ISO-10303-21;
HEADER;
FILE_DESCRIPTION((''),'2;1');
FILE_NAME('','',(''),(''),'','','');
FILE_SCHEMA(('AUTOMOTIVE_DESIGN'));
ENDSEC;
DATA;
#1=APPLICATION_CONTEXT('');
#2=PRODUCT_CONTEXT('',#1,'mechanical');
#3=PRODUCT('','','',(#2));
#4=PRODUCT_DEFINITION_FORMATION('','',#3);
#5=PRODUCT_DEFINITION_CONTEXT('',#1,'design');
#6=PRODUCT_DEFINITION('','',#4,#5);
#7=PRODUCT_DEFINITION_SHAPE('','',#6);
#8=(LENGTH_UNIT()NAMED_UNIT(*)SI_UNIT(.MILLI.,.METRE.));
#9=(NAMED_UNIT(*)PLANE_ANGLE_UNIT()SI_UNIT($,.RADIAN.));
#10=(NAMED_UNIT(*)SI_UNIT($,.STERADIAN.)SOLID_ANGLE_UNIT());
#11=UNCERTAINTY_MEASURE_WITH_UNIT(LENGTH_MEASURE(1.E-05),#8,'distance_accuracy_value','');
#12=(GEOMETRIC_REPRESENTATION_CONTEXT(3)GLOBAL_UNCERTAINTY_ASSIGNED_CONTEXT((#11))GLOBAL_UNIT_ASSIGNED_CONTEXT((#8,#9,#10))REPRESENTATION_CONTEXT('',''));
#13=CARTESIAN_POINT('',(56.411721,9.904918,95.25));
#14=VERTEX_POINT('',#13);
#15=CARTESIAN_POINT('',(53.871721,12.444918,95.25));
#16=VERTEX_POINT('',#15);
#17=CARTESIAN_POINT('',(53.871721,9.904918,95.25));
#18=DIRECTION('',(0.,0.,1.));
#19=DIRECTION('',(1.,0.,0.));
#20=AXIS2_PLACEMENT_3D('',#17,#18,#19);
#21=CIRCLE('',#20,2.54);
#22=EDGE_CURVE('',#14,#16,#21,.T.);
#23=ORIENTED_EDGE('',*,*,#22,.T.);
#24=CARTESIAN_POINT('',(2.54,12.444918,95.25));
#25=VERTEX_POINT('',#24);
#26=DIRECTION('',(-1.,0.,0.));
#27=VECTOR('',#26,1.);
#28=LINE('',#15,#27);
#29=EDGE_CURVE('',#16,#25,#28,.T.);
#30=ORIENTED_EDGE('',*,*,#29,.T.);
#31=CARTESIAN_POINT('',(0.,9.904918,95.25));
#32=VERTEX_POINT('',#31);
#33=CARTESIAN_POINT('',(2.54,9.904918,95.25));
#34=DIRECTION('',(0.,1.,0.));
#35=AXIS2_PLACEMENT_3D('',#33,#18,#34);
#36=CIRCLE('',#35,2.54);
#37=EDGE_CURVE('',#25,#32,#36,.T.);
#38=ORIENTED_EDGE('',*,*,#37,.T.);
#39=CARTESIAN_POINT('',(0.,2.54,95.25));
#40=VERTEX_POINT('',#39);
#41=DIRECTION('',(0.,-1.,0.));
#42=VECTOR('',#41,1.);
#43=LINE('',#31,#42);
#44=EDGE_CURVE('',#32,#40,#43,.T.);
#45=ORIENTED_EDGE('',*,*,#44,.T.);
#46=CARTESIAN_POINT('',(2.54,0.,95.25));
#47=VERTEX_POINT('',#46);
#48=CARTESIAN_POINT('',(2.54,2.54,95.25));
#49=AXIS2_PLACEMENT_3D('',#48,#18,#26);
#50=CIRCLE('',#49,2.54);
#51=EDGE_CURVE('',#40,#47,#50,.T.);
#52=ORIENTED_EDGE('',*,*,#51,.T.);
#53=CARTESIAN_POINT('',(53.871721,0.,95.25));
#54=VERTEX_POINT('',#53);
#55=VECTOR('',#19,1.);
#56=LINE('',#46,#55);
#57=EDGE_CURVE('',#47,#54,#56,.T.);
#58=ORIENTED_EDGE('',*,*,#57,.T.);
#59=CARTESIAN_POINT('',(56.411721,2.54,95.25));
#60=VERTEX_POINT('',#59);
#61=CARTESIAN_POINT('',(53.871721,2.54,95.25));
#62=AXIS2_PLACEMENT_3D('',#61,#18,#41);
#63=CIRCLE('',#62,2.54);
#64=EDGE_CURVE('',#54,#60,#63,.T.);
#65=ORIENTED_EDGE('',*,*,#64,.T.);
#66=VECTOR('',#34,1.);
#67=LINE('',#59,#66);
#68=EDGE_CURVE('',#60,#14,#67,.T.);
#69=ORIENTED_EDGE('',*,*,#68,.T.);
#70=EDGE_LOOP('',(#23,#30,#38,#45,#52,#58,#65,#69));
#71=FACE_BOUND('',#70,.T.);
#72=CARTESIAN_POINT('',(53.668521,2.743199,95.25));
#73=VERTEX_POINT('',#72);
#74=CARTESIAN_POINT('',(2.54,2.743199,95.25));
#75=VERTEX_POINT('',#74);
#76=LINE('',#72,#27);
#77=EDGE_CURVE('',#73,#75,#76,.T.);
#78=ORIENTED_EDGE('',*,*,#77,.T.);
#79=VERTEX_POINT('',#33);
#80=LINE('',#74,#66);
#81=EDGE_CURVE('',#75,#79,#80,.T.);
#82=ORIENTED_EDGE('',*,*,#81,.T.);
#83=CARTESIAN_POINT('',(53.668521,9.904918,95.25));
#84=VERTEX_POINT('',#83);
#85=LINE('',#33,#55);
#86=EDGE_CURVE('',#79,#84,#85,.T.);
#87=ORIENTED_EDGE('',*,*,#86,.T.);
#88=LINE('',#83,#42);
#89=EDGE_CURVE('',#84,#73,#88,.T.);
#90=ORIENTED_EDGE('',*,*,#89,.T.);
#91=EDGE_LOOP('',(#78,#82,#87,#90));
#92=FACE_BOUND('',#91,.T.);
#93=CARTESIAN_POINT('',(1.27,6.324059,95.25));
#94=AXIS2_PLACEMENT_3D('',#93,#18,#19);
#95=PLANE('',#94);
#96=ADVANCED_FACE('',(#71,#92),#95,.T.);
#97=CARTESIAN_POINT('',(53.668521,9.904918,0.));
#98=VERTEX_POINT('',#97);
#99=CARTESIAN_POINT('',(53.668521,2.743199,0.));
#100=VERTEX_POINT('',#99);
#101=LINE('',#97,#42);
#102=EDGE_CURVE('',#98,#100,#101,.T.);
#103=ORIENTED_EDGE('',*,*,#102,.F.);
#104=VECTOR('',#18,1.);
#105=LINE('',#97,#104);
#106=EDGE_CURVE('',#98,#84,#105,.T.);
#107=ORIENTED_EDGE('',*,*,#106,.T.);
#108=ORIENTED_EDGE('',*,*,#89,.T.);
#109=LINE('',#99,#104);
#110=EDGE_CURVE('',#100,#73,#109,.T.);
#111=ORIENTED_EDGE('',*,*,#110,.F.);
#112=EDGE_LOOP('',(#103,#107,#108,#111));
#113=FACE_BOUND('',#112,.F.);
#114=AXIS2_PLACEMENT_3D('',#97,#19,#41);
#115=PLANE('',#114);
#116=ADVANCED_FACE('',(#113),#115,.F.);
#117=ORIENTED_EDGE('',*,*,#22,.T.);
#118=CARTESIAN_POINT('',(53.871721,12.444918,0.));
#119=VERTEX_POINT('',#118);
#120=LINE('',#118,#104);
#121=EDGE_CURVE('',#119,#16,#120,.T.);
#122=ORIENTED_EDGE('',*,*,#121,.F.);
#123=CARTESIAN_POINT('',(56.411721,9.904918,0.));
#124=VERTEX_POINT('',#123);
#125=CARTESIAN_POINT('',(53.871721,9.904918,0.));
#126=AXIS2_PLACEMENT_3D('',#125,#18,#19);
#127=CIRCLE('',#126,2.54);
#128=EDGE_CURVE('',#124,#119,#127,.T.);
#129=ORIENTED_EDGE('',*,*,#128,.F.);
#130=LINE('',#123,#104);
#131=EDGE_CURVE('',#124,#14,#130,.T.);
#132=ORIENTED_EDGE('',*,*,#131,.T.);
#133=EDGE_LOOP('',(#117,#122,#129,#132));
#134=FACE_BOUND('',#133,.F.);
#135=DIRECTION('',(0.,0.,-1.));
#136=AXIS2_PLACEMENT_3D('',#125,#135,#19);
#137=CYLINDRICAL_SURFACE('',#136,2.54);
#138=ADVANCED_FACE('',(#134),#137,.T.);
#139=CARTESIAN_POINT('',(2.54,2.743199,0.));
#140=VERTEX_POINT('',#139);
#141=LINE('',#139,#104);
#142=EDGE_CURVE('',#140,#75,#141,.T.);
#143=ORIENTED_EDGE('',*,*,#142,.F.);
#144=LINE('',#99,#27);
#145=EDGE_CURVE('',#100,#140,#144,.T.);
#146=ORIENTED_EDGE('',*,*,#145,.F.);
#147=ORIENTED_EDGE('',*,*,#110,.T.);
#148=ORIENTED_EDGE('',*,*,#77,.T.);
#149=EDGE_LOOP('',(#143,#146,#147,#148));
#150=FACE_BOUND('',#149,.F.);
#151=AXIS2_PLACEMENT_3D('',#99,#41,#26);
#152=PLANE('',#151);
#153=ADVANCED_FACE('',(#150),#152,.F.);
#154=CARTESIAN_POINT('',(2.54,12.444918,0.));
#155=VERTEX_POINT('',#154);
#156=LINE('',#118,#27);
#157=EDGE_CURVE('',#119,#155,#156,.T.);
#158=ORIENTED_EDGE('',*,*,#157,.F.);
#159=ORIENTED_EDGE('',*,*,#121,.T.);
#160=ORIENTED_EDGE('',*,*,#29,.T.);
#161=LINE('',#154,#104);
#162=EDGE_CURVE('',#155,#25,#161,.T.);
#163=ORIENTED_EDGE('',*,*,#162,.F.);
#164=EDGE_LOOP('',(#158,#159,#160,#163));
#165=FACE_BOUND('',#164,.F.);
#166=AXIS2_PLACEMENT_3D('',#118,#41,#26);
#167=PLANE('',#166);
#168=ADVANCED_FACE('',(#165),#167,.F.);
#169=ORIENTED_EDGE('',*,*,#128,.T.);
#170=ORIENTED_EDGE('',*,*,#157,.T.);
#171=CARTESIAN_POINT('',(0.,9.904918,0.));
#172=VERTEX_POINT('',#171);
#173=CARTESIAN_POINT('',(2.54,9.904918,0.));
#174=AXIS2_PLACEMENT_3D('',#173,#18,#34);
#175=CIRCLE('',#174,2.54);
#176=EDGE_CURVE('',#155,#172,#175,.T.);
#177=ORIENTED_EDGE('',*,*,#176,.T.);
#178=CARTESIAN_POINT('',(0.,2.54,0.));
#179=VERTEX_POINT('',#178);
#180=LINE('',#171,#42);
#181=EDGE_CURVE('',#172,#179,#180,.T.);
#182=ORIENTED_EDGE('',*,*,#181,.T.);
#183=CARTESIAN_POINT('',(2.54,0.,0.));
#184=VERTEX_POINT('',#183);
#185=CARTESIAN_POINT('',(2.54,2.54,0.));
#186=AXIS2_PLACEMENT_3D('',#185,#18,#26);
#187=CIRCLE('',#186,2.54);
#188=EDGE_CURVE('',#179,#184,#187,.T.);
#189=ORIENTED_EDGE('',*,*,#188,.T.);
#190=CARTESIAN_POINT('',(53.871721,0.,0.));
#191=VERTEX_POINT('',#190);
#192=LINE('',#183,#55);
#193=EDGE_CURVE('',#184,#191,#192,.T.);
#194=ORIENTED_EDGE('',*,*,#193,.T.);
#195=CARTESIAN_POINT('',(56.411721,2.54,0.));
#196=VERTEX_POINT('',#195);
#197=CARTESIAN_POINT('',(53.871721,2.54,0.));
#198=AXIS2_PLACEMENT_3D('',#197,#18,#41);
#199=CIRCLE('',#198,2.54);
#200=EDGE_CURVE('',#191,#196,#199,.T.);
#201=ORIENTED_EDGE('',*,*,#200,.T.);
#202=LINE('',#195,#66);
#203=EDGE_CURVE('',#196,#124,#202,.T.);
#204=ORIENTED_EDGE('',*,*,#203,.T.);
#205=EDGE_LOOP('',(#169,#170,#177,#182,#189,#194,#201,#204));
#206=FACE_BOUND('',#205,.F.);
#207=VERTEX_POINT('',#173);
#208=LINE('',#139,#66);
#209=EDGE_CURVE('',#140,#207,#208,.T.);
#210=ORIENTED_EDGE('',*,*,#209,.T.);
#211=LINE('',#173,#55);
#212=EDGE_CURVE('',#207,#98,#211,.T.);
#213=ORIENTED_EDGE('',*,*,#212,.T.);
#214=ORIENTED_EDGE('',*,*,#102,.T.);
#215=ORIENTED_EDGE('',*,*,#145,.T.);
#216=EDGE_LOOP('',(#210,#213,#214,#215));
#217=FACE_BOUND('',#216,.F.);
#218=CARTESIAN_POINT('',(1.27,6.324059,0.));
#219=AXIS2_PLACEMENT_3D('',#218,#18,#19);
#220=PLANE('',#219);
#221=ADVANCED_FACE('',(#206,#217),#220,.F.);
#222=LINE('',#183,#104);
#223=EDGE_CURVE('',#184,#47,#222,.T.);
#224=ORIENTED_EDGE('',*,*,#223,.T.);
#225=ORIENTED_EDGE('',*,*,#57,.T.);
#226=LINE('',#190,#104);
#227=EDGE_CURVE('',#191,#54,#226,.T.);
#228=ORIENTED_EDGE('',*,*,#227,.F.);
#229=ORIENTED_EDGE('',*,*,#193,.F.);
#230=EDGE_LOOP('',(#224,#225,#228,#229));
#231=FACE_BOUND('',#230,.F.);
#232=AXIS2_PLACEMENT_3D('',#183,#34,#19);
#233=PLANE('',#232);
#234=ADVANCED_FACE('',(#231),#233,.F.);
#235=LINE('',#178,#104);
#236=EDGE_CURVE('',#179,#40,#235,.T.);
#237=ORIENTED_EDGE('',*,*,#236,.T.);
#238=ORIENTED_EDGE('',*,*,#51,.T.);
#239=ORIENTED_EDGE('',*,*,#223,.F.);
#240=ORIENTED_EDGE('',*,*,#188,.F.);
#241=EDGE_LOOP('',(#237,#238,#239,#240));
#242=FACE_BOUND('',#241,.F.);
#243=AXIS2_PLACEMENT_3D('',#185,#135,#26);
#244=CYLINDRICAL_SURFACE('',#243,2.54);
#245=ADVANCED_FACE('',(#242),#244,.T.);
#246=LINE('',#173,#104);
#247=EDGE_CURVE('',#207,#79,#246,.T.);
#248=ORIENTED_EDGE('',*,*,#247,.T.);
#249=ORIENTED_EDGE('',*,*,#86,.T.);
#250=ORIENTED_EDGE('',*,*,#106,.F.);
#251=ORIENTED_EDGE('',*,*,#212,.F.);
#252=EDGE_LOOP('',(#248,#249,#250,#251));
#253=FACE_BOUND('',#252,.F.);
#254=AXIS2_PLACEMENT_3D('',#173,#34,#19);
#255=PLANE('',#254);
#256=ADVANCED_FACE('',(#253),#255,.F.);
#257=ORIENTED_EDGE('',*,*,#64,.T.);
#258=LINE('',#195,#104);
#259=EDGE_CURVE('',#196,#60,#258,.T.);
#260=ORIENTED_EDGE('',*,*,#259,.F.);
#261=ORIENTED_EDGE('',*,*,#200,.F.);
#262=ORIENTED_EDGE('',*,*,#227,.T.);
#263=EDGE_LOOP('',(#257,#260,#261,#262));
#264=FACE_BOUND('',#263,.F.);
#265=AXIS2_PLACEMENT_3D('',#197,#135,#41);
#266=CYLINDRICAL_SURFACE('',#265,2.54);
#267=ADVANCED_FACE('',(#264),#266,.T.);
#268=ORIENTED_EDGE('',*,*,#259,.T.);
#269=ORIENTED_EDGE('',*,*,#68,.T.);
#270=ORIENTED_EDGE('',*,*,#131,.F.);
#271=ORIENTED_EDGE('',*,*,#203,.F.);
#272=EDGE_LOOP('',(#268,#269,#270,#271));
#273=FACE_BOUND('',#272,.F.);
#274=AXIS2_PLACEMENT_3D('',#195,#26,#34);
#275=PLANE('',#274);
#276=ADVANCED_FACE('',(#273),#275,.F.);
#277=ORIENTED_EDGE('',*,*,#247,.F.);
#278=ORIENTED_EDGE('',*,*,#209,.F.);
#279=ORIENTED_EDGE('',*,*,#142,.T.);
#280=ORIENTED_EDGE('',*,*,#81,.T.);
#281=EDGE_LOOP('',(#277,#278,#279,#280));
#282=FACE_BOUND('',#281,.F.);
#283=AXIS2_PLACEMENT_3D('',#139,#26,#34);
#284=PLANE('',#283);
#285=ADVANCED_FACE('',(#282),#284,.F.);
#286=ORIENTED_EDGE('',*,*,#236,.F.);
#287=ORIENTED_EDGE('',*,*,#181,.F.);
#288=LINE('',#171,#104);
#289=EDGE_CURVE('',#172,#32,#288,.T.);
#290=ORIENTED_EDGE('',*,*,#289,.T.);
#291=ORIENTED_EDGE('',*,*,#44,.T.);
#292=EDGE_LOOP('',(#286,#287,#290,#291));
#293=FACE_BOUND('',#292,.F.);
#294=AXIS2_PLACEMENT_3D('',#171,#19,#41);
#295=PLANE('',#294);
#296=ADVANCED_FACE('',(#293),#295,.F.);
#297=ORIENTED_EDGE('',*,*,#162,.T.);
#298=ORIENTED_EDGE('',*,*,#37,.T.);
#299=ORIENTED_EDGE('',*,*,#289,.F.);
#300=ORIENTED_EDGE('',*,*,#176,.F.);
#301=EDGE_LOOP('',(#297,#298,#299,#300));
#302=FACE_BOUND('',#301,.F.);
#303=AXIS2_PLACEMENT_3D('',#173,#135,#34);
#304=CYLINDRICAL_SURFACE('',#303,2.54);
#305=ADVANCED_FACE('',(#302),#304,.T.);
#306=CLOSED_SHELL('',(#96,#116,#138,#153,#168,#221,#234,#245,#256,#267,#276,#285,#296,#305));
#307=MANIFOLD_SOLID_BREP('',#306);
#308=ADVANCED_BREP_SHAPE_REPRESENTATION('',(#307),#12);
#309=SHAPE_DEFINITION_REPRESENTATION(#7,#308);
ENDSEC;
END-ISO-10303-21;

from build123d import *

# Parameters (mm, degrees)
F0_W     = 2.54
F0_H     = 7.1617185763
F0_W_2   = 51.1285213447
F0_H_2   = 2.54
F1_DEPTH = 95.25


with BuildPart() as f1:
    # F0 (on Top) → F1 (new body)
    with BuildSketch(Plane.XY):
        with Locations((1.27, 6.3240587558)):
            Rectangle(F0_W, F0_H)
        with BuildLine():
            Line((0, 9.9049180439), (2.54, 9.9049180439))
            Line((2.54, 9.9049180439), (2.54, 12.4449180439))
            ThreePointArc((2.54, 12.4449180439), (0.7439487758, 11.7009692681), (0, 9.9049180439))
        make_face()
        with Locations((28.1042606723, 11.1749180439)):
            Rectangle(F0_W_2, F0_H_2)
        with BuildLine():
            Line((53.6685213447, 9.9049180439), (56.4117208123, 9.9049180439))
            ThreePointArc((56.4117208123, 9.9049180439), (55.6677720365, 11.7009692681), (53.8717208123, 12.4449180439))
            Line((53.8717208123, 12.4449180439), (53.6685213447, 12.4449180439))
            Line((53.6685213447, 12.4449180439), (53.6685213447, 9.9049180439))
        make_face()
        with BuildLine():
            Line((2.54, 2.7431994677), (2.54, 0))
            Line((2.54, 0), (53.8717208123, 0))
            ThreePointArc((53.8717208123, 0), (55.6677720365, 0.7439487758), (56.4117208123, 2.54))
            Line((56.4117208123, 2.54), (56.4117208123, 9.9049180439))
            Line((56.4117208123, 9.9049180439), (53.6685213447, 9.9049180439))
            Line((53.6685213447, 9.9049180439), (53.6685213447, 2.7431994677))
            Line((53.6685213447, 2.7431994677), (2.54, 2.7431994677))
        make_face()
        with BuildLine():
            ThreePointArc((0, 2.54), (0.7439487758, 0.7439487758), (2.54, 0))
            Line((2.54, 0), (2.54, 2.7431994677))
            Line((2.54, 2.7431994677), (0, 2.7431994677))
            Line((0, 2.7431994677), (0, 2.54))
        make_face()
    extrude(amount=F1_DEPTH)


solid = f1.part
